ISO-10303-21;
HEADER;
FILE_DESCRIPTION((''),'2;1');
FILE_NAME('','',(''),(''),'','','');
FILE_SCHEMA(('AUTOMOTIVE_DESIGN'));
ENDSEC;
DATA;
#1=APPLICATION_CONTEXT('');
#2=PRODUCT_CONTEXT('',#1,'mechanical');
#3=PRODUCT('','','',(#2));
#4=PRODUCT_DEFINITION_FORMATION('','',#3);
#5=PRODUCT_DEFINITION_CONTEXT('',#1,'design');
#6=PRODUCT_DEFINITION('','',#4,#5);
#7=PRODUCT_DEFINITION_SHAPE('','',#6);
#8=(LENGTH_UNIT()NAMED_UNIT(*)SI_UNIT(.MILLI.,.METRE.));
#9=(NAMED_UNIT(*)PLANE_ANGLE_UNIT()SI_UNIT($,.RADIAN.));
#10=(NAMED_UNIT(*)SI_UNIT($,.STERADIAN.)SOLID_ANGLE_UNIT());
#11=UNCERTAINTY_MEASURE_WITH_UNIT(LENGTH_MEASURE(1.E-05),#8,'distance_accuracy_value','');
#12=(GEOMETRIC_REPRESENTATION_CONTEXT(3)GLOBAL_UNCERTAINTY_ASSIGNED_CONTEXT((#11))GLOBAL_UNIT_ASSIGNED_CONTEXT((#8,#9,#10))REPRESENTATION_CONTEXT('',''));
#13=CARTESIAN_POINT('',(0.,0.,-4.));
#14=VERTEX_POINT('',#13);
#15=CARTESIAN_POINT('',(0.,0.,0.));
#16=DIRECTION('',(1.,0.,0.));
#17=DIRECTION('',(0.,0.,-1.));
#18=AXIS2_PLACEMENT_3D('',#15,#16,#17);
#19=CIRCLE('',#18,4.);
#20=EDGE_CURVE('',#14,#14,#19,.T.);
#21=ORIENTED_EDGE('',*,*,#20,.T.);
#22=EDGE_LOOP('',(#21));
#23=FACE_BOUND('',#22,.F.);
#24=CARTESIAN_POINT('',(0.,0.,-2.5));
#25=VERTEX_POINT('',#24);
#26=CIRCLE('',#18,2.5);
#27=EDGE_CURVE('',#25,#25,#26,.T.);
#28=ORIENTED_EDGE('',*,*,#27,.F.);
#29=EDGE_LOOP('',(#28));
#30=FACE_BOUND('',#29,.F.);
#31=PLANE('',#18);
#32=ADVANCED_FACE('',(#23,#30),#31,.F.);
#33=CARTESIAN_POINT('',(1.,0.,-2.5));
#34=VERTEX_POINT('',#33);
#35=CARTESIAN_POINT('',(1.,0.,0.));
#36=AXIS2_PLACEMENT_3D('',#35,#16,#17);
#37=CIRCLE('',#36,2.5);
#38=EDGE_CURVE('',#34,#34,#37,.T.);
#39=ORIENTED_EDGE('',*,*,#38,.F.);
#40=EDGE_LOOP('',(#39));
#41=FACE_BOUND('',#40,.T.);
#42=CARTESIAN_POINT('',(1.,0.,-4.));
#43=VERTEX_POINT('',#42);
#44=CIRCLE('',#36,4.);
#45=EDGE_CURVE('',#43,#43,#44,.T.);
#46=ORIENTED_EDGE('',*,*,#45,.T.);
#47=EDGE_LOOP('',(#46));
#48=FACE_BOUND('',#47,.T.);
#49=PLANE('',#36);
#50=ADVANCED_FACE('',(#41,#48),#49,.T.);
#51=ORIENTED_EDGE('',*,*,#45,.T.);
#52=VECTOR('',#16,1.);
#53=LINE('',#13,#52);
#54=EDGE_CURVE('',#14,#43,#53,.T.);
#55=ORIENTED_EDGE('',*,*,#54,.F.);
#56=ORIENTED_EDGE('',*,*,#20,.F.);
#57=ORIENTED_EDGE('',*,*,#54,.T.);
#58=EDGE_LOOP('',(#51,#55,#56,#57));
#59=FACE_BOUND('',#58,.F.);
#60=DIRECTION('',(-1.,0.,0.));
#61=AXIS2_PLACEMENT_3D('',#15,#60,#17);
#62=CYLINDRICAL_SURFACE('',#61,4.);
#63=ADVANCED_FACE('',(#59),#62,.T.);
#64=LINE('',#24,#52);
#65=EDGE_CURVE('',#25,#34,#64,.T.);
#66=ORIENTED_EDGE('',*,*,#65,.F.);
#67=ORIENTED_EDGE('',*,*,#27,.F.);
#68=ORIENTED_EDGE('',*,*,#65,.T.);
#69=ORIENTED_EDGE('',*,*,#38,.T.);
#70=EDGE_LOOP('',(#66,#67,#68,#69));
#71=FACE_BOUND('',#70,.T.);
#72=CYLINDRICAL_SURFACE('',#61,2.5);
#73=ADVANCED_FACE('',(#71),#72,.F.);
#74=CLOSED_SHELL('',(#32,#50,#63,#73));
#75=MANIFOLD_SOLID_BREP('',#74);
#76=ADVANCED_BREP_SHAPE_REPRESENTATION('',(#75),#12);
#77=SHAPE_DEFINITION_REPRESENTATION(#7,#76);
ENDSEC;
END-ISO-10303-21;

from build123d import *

# Parameters (mm, degrees)
SKETCH_2_R      = 4
SKETCH_2_R_2    = 2.5
EXTRUDE_1_DEPTH = 1


with BuildPart() as part:
    # Эскиз2 → Бобышка-Вытянуть1 (new body)
    with BuildSketch(Plane(origin=(0, 0, 0), x_dir=(0, 0, -1), z_dir=(1, 0, 0))):
        Circle(SKETCH_2_R)
        Circle(SKETCH_2_R_2, mode=Mode.SUBTRACT)
    extrude(amount=EXTRUDE_1_DEPTH)


solid = part.part
